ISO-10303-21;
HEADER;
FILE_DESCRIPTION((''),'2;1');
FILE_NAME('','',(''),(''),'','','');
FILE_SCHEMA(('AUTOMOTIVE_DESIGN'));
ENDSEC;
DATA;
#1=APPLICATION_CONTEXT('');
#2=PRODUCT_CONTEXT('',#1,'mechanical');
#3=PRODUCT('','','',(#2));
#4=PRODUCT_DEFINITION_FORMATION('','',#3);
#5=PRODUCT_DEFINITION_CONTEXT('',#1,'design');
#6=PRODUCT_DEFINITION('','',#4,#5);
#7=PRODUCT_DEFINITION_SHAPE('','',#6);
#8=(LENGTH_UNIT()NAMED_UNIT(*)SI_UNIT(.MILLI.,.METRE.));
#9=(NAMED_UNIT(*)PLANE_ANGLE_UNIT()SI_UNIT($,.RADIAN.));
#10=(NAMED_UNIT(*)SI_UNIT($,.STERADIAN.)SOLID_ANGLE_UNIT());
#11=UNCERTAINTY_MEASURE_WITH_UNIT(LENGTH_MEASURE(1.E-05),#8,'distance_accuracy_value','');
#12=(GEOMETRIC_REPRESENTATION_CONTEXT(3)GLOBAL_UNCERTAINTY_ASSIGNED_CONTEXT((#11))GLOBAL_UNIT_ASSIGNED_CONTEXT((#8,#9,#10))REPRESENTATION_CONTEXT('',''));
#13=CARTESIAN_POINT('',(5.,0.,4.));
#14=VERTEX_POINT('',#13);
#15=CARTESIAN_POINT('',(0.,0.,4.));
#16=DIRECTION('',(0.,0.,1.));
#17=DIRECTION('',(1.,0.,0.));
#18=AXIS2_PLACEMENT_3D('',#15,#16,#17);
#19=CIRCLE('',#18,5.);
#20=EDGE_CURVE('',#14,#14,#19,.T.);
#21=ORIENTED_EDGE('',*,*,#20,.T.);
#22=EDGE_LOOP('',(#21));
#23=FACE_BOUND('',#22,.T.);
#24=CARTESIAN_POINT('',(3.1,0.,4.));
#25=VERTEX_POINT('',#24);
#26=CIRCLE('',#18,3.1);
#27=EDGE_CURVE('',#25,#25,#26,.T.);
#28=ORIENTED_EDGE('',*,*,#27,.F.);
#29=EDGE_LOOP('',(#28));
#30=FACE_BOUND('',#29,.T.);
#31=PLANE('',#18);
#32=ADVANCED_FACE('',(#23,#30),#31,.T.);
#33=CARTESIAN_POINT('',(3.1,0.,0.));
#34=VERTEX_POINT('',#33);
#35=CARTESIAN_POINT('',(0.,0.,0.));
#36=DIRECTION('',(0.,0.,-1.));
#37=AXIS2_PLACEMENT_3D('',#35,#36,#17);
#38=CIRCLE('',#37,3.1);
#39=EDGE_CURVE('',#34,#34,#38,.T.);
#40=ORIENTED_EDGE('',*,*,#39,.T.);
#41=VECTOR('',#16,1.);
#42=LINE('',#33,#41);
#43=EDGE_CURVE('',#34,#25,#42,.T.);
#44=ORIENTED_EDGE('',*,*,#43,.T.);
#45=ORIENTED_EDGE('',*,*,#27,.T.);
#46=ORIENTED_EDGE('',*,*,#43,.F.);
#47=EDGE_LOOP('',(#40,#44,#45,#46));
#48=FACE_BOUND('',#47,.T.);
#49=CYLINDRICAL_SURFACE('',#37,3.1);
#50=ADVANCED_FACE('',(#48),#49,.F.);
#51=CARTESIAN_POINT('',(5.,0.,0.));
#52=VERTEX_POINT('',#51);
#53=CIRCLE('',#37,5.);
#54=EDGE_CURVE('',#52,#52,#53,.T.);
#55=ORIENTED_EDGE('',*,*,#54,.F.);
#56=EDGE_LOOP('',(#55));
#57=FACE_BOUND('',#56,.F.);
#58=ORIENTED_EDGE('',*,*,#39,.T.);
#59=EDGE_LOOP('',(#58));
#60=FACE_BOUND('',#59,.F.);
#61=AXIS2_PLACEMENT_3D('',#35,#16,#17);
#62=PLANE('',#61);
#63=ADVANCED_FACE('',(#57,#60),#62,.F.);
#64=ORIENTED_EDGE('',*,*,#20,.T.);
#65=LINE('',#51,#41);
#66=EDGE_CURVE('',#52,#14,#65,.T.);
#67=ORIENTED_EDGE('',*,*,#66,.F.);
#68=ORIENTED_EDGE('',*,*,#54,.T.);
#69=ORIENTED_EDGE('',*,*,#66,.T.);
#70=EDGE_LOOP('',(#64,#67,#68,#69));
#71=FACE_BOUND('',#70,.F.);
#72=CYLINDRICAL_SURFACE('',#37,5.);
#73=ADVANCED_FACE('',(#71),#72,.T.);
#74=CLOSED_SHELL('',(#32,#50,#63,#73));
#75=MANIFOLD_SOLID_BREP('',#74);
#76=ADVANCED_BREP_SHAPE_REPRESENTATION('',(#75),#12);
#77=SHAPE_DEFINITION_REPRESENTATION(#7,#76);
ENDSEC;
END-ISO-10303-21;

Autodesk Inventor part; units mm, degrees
ref_plane "YZ Plane" through (0, 0, 0) normal (1, 0, 0) x (0, 1, 0)
ref_plane "XZ Plane" through (0, 0, 0) normal (0, 1, 0) x (-1, 0, 0)
ref_plane "XY Plane" through (0, 0, 0) normal (0, 0, 1) x (1, 0, 0)
sketch "Skizze1" plane through (0, 0, 0) normal (0, 0, 1) x (1, 0, 0)
  line L0 (-7, 0) -> (7, 0) projected
  line L1 (0, -7) -> (0, 7) projected
  circle A0 centre (0, 0) radius 5
  circle A1 centre (0, 0) radius 3.1
  dimension "d0" = 10
  dimension "d1" = 6.2
extrude "Extrusion1" add sketch "Skizze1" along normal blind 4 contours A1 L1 A0 L0 | L0 A0 L1 A1 | A1 L0 A0 L1 | L1 A0 L0 A1
properties part number "24_0497_0016"
